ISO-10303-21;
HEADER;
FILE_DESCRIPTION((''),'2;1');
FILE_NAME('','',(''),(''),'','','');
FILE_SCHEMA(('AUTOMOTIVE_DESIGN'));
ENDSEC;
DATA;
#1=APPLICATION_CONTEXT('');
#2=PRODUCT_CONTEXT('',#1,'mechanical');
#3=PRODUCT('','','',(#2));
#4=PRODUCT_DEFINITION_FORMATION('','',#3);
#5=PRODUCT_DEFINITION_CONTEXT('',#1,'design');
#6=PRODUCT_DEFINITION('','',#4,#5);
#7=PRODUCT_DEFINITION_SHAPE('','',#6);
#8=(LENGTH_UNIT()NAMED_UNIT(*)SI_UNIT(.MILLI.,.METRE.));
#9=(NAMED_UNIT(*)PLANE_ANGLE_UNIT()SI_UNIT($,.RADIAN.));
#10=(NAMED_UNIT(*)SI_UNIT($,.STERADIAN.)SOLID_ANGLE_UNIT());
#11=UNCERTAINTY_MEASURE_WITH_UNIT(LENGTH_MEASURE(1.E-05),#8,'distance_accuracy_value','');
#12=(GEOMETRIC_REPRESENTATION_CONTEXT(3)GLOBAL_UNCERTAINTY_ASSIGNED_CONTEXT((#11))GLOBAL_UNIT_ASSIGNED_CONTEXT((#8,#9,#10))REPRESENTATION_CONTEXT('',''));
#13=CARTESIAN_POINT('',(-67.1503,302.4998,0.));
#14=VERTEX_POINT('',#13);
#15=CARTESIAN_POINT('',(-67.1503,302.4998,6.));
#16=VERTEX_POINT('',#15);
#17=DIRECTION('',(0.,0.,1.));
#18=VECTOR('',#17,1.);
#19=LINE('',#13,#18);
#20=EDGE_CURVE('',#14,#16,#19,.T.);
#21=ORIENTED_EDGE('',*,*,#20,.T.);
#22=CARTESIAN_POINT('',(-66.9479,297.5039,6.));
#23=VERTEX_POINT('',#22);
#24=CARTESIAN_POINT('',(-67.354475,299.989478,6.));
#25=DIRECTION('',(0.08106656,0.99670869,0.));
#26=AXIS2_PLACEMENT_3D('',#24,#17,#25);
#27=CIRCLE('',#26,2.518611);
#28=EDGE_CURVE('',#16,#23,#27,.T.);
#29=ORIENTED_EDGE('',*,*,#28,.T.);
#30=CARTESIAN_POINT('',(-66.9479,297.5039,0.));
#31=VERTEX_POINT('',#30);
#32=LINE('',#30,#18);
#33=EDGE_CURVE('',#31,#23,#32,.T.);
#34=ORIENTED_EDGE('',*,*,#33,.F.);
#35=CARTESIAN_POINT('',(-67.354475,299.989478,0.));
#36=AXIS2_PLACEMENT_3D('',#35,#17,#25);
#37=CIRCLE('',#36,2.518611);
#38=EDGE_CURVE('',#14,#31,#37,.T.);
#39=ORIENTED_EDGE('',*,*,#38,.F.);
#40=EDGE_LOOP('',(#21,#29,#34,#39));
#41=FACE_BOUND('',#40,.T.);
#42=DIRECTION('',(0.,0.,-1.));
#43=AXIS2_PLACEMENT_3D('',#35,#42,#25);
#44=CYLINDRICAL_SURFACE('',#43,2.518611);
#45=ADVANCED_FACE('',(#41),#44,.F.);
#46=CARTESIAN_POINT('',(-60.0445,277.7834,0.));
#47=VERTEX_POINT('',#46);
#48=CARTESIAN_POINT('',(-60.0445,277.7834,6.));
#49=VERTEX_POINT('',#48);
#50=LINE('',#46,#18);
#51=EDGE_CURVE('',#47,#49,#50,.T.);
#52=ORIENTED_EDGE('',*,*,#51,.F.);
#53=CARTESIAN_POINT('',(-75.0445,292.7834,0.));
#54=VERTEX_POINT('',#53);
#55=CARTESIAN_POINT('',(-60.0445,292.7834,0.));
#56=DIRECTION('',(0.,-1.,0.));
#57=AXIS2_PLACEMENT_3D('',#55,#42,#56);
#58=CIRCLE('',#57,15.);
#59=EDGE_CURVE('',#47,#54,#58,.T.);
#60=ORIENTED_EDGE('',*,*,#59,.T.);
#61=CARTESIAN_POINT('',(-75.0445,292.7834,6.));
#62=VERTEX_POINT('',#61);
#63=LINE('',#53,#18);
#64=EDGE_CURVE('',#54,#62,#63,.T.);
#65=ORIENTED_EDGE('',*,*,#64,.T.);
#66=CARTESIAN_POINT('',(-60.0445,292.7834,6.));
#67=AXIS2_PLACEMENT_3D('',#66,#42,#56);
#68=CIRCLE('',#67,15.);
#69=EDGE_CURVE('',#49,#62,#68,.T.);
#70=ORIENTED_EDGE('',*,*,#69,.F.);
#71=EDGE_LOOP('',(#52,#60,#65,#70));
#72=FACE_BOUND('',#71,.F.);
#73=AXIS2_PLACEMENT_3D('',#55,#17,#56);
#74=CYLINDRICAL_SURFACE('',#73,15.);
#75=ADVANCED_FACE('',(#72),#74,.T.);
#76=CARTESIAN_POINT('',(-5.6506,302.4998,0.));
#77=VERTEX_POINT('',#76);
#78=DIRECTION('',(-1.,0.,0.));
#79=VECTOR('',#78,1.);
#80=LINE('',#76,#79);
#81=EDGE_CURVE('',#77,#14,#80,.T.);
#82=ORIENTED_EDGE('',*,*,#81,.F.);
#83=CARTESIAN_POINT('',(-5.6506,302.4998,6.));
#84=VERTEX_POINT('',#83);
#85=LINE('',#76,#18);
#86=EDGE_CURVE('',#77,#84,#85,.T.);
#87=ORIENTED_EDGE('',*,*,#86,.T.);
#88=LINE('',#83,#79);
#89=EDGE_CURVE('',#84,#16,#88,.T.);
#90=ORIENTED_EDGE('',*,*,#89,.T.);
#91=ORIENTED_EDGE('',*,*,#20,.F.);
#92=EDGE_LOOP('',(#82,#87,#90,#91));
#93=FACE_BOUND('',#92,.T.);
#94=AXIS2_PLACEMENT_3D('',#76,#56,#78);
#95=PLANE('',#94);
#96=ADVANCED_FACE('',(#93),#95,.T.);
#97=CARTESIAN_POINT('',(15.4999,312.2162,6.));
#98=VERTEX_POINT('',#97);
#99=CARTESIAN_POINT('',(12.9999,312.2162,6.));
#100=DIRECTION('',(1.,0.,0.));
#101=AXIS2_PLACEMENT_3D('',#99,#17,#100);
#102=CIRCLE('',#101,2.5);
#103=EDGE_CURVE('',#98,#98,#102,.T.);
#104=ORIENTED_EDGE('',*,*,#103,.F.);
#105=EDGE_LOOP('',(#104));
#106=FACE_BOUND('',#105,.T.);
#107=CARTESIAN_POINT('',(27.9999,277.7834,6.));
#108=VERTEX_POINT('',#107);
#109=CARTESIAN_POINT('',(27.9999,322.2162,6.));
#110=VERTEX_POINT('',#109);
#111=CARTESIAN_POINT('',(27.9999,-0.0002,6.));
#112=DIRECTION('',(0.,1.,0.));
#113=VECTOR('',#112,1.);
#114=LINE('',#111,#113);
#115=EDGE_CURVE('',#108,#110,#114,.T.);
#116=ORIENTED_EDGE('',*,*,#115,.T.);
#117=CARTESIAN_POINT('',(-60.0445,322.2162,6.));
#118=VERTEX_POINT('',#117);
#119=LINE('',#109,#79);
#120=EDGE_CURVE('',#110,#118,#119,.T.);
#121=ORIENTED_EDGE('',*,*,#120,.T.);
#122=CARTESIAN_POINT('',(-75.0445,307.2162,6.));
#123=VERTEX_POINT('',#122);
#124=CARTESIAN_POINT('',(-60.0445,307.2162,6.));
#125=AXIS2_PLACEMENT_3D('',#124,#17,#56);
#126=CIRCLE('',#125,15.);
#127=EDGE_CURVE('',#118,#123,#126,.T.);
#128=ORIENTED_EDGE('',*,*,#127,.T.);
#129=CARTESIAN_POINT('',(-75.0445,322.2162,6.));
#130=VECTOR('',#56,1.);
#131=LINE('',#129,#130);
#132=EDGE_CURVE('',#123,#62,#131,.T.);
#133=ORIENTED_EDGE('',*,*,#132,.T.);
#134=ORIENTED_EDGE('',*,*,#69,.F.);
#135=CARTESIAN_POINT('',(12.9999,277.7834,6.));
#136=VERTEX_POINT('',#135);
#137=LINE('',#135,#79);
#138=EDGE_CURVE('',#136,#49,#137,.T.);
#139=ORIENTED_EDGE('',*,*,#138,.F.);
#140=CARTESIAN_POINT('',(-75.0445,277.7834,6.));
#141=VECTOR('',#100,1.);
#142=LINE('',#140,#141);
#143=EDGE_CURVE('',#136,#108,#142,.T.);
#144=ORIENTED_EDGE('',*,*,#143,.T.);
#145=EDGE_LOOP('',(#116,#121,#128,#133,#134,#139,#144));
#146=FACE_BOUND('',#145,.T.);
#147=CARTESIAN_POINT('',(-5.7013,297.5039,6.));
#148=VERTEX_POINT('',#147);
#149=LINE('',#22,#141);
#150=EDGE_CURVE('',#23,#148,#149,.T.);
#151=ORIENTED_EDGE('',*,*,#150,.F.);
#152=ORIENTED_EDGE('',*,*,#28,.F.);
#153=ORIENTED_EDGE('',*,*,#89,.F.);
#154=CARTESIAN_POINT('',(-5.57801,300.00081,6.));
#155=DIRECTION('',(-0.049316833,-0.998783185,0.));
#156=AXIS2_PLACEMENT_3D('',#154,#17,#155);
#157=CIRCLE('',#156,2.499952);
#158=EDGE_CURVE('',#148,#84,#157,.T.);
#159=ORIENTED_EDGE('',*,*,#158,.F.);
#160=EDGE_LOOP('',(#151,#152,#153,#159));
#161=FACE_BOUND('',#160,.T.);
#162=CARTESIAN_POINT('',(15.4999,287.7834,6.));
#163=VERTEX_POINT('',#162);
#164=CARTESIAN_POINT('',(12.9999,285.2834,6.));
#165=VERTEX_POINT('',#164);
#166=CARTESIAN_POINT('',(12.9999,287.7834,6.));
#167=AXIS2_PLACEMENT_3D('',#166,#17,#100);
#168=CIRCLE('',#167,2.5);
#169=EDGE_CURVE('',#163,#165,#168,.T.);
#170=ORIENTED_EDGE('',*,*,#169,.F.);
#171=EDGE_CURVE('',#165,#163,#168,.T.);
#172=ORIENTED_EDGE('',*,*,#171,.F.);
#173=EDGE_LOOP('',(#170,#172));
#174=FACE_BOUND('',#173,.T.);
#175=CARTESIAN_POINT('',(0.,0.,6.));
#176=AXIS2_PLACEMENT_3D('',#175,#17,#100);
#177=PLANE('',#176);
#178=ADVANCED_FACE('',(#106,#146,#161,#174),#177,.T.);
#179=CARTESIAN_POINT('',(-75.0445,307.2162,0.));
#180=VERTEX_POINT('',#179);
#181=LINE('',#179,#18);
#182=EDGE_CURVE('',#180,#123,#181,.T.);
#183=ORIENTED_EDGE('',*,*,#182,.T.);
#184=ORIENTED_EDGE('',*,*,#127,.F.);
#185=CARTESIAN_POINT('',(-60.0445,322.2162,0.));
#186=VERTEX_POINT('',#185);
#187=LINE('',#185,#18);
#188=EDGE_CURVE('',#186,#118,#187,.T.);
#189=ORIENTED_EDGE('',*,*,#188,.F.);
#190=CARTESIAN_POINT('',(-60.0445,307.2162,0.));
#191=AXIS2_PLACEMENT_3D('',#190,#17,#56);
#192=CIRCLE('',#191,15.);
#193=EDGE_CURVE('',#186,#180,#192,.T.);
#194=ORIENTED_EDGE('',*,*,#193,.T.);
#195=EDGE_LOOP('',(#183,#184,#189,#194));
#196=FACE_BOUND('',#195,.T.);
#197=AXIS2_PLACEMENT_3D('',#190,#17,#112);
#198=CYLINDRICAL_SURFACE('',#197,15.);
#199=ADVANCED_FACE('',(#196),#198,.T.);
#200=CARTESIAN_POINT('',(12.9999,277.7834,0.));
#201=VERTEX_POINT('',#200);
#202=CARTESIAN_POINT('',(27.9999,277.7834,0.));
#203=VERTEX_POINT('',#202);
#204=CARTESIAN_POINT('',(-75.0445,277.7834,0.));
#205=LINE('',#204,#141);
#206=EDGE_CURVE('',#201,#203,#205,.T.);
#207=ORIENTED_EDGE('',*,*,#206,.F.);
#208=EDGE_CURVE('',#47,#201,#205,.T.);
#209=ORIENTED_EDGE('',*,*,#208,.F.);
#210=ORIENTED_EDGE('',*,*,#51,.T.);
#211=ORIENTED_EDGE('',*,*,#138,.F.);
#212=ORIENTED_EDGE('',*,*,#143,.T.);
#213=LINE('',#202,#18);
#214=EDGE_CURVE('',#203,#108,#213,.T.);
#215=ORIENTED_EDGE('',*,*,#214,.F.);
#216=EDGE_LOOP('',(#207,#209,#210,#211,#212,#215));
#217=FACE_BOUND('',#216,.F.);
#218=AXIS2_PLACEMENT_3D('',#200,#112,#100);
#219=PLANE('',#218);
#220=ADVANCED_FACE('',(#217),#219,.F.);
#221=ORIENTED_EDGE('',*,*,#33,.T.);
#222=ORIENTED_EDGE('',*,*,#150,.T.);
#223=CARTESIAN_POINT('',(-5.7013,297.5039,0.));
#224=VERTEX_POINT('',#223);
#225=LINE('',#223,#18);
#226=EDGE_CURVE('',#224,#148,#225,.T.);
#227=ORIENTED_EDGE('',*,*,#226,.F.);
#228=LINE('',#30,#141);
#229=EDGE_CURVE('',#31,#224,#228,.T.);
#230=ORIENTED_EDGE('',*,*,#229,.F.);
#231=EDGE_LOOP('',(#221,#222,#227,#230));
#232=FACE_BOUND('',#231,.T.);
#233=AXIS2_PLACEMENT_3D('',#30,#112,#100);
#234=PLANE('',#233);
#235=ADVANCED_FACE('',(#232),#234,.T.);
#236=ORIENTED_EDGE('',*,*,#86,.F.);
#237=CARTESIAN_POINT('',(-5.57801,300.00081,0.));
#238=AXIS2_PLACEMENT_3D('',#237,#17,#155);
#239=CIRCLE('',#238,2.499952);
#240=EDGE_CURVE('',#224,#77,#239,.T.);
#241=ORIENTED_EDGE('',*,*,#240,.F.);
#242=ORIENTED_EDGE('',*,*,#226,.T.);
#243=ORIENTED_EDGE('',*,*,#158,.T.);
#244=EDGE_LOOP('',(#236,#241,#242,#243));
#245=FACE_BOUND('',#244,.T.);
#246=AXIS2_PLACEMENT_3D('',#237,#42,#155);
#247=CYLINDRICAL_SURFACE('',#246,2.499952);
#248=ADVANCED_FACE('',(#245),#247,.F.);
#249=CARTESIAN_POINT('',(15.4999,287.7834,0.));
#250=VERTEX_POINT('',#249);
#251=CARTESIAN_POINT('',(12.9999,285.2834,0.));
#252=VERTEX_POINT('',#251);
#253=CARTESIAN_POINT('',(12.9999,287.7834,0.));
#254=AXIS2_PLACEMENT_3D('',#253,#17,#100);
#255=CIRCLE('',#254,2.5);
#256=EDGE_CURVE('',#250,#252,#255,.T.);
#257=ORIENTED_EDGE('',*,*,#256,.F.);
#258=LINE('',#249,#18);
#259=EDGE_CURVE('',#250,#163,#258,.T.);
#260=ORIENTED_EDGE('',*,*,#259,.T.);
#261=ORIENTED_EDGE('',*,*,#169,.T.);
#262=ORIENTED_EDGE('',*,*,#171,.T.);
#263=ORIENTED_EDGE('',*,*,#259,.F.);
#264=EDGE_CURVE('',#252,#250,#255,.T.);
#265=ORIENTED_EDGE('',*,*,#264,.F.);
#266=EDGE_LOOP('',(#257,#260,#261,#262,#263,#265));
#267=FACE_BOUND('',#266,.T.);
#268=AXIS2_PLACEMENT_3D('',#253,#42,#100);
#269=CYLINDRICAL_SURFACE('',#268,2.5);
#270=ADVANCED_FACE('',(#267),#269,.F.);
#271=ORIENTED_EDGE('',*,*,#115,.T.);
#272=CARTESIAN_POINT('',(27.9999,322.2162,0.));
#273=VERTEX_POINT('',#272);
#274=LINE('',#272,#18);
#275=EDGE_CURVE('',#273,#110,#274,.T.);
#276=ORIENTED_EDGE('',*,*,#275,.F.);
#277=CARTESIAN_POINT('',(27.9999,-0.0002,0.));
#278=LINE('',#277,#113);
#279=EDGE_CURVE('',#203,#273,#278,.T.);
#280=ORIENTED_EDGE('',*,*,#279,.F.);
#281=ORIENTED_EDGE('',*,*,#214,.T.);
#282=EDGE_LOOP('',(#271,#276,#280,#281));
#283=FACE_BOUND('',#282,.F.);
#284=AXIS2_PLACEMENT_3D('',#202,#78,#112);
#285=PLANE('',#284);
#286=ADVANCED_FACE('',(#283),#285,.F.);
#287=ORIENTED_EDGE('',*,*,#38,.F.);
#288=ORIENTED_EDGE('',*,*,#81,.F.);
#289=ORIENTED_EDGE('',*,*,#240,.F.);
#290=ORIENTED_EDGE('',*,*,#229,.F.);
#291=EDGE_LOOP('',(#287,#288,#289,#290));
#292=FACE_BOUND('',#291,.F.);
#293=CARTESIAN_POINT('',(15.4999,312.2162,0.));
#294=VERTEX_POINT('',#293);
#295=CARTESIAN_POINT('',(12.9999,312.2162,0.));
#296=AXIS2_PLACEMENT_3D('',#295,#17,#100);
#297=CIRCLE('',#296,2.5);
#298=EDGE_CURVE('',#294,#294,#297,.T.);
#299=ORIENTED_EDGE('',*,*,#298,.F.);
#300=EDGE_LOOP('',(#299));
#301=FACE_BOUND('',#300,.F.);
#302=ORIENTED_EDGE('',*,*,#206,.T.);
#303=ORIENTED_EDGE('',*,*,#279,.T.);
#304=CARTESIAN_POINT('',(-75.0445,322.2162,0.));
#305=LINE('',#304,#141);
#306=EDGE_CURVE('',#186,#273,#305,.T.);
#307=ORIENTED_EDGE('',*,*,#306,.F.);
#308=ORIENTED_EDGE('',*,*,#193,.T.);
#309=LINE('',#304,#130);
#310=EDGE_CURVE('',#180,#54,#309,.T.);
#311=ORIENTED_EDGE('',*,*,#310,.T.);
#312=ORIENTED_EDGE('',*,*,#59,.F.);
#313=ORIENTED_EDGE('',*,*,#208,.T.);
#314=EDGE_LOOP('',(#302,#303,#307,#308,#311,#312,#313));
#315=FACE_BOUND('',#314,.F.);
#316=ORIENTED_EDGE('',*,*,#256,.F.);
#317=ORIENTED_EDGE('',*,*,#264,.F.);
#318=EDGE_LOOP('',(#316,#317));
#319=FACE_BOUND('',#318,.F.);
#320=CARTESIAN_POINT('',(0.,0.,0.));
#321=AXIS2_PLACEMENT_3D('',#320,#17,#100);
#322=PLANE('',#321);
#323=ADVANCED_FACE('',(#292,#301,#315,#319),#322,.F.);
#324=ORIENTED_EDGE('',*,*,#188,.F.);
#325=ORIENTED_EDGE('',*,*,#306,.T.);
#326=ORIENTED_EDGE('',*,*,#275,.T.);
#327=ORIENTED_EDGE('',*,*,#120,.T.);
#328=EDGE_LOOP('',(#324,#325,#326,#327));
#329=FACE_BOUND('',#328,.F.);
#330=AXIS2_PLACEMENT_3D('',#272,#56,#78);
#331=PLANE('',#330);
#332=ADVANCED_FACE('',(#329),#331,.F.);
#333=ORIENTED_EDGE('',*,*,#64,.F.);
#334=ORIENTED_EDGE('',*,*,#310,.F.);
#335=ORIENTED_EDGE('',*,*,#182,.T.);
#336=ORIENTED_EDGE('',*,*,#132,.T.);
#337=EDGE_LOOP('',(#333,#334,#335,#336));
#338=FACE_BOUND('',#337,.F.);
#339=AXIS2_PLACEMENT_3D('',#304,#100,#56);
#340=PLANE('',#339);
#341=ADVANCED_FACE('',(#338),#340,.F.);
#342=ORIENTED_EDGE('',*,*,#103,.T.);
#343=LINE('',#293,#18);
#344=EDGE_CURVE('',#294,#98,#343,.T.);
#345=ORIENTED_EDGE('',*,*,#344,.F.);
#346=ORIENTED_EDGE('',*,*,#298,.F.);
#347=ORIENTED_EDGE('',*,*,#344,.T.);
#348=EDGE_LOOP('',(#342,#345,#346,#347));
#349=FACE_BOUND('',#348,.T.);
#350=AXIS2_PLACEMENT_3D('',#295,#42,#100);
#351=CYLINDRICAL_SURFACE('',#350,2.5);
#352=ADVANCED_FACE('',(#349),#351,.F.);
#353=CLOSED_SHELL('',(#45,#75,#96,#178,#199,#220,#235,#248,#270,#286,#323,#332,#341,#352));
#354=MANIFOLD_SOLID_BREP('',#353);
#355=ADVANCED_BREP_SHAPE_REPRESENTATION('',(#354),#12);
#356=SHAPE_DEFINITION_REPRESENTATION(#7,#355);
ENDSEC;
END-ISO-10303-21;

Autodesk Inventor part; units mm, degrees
ref_plane "YZ Plane" through (0, 0, 0) normal (1, 0, 0) x (0, 1, 0)
ref_plane "XZ Plane" through (0, 0, 0) normal (0, 1, 0) x (-1, 0, 0)
ref_plane "XY Plane" through (0, 0, 0) normal (0, 0, 1) x (1, 0, 0)
ref_plane "Work Plane1" through (0, 0, 0) normal (0, 0, 1) x (1, 0, 0)
sketch "Sketch1" plane through (0, 0, 0) normal (0, 0, 1) x (1, 0, 0)
  line L0 (27.9999, -0.0002) -> (27.9999, 599.9998) projected
  line L1 (-2, -0.0002) -> (-2, 599.9998) projected
  line L2 (-75.0445, 277.7834) -> (27.9999, 277.7834)
  line L3 (27.9999, 277.7834) -> (27.9999, 322.2162)
  line L4 (27.9999, 322.2162) -> (-75.0445, 322.2162)
  line L5 (-75.0445, 322.2162) -> (-75.0445, 277.7834)
  line L6 (-75.0445, 277.7834) -> (27.9999, 322.2162) construction
  line L7 (27.9999, 277.7834) -> (-75.0445, 322.2162) construction
  line L8 (-5.6506, 302.4998) -> (-67.1503, 302.4998)
  line L9 (-66.9479, 297.5039) -> (-5.7013, 297.5039)
  line L10 (-5.6506, 302.4998) -> (-66.9479, 297.5039) construction
  line L11 (-67.1503, 302.4998) -> (-5.7013, 297.5039) construction
  arc A0 (-67.1503, 302.4998) -> (-66.9479, 297.5039) centre (-67.3544, 299.9894) ccw
  arc A1 (-5.7013, 297.5039) -> (-5.9109, 302.4785) centre (-5.578, 300.0008) ccw
  line L12 (27.9999, 277.7834) -> (12.9999, 277.7834)
  circle A2 centre (12.9999, 287.7834) radius 2.5
  circle A3 centre (12.9999, 312.2162) radius 2.5
  line L13 (12.9999, 277.7834) -> (12.9999, 285.2834)
  point P0 (0, 0)
  point P1 (-23.5223, 299.9998)
  point P2 (-36.3624, 299.9967)
  dimension "d4" = 5
  dimension "d0" = 5
  dimension "d1" = 15
  dimension "d5" = 5
extrude "Extrusion1" add sketch "Sketch1" along normal blind 6
fillet "Fillet1" radius 15 2 edges at (-75.0445, 277.7834, 3) (-75.0445, 322.2162, 3)
properties part number "Idler"
